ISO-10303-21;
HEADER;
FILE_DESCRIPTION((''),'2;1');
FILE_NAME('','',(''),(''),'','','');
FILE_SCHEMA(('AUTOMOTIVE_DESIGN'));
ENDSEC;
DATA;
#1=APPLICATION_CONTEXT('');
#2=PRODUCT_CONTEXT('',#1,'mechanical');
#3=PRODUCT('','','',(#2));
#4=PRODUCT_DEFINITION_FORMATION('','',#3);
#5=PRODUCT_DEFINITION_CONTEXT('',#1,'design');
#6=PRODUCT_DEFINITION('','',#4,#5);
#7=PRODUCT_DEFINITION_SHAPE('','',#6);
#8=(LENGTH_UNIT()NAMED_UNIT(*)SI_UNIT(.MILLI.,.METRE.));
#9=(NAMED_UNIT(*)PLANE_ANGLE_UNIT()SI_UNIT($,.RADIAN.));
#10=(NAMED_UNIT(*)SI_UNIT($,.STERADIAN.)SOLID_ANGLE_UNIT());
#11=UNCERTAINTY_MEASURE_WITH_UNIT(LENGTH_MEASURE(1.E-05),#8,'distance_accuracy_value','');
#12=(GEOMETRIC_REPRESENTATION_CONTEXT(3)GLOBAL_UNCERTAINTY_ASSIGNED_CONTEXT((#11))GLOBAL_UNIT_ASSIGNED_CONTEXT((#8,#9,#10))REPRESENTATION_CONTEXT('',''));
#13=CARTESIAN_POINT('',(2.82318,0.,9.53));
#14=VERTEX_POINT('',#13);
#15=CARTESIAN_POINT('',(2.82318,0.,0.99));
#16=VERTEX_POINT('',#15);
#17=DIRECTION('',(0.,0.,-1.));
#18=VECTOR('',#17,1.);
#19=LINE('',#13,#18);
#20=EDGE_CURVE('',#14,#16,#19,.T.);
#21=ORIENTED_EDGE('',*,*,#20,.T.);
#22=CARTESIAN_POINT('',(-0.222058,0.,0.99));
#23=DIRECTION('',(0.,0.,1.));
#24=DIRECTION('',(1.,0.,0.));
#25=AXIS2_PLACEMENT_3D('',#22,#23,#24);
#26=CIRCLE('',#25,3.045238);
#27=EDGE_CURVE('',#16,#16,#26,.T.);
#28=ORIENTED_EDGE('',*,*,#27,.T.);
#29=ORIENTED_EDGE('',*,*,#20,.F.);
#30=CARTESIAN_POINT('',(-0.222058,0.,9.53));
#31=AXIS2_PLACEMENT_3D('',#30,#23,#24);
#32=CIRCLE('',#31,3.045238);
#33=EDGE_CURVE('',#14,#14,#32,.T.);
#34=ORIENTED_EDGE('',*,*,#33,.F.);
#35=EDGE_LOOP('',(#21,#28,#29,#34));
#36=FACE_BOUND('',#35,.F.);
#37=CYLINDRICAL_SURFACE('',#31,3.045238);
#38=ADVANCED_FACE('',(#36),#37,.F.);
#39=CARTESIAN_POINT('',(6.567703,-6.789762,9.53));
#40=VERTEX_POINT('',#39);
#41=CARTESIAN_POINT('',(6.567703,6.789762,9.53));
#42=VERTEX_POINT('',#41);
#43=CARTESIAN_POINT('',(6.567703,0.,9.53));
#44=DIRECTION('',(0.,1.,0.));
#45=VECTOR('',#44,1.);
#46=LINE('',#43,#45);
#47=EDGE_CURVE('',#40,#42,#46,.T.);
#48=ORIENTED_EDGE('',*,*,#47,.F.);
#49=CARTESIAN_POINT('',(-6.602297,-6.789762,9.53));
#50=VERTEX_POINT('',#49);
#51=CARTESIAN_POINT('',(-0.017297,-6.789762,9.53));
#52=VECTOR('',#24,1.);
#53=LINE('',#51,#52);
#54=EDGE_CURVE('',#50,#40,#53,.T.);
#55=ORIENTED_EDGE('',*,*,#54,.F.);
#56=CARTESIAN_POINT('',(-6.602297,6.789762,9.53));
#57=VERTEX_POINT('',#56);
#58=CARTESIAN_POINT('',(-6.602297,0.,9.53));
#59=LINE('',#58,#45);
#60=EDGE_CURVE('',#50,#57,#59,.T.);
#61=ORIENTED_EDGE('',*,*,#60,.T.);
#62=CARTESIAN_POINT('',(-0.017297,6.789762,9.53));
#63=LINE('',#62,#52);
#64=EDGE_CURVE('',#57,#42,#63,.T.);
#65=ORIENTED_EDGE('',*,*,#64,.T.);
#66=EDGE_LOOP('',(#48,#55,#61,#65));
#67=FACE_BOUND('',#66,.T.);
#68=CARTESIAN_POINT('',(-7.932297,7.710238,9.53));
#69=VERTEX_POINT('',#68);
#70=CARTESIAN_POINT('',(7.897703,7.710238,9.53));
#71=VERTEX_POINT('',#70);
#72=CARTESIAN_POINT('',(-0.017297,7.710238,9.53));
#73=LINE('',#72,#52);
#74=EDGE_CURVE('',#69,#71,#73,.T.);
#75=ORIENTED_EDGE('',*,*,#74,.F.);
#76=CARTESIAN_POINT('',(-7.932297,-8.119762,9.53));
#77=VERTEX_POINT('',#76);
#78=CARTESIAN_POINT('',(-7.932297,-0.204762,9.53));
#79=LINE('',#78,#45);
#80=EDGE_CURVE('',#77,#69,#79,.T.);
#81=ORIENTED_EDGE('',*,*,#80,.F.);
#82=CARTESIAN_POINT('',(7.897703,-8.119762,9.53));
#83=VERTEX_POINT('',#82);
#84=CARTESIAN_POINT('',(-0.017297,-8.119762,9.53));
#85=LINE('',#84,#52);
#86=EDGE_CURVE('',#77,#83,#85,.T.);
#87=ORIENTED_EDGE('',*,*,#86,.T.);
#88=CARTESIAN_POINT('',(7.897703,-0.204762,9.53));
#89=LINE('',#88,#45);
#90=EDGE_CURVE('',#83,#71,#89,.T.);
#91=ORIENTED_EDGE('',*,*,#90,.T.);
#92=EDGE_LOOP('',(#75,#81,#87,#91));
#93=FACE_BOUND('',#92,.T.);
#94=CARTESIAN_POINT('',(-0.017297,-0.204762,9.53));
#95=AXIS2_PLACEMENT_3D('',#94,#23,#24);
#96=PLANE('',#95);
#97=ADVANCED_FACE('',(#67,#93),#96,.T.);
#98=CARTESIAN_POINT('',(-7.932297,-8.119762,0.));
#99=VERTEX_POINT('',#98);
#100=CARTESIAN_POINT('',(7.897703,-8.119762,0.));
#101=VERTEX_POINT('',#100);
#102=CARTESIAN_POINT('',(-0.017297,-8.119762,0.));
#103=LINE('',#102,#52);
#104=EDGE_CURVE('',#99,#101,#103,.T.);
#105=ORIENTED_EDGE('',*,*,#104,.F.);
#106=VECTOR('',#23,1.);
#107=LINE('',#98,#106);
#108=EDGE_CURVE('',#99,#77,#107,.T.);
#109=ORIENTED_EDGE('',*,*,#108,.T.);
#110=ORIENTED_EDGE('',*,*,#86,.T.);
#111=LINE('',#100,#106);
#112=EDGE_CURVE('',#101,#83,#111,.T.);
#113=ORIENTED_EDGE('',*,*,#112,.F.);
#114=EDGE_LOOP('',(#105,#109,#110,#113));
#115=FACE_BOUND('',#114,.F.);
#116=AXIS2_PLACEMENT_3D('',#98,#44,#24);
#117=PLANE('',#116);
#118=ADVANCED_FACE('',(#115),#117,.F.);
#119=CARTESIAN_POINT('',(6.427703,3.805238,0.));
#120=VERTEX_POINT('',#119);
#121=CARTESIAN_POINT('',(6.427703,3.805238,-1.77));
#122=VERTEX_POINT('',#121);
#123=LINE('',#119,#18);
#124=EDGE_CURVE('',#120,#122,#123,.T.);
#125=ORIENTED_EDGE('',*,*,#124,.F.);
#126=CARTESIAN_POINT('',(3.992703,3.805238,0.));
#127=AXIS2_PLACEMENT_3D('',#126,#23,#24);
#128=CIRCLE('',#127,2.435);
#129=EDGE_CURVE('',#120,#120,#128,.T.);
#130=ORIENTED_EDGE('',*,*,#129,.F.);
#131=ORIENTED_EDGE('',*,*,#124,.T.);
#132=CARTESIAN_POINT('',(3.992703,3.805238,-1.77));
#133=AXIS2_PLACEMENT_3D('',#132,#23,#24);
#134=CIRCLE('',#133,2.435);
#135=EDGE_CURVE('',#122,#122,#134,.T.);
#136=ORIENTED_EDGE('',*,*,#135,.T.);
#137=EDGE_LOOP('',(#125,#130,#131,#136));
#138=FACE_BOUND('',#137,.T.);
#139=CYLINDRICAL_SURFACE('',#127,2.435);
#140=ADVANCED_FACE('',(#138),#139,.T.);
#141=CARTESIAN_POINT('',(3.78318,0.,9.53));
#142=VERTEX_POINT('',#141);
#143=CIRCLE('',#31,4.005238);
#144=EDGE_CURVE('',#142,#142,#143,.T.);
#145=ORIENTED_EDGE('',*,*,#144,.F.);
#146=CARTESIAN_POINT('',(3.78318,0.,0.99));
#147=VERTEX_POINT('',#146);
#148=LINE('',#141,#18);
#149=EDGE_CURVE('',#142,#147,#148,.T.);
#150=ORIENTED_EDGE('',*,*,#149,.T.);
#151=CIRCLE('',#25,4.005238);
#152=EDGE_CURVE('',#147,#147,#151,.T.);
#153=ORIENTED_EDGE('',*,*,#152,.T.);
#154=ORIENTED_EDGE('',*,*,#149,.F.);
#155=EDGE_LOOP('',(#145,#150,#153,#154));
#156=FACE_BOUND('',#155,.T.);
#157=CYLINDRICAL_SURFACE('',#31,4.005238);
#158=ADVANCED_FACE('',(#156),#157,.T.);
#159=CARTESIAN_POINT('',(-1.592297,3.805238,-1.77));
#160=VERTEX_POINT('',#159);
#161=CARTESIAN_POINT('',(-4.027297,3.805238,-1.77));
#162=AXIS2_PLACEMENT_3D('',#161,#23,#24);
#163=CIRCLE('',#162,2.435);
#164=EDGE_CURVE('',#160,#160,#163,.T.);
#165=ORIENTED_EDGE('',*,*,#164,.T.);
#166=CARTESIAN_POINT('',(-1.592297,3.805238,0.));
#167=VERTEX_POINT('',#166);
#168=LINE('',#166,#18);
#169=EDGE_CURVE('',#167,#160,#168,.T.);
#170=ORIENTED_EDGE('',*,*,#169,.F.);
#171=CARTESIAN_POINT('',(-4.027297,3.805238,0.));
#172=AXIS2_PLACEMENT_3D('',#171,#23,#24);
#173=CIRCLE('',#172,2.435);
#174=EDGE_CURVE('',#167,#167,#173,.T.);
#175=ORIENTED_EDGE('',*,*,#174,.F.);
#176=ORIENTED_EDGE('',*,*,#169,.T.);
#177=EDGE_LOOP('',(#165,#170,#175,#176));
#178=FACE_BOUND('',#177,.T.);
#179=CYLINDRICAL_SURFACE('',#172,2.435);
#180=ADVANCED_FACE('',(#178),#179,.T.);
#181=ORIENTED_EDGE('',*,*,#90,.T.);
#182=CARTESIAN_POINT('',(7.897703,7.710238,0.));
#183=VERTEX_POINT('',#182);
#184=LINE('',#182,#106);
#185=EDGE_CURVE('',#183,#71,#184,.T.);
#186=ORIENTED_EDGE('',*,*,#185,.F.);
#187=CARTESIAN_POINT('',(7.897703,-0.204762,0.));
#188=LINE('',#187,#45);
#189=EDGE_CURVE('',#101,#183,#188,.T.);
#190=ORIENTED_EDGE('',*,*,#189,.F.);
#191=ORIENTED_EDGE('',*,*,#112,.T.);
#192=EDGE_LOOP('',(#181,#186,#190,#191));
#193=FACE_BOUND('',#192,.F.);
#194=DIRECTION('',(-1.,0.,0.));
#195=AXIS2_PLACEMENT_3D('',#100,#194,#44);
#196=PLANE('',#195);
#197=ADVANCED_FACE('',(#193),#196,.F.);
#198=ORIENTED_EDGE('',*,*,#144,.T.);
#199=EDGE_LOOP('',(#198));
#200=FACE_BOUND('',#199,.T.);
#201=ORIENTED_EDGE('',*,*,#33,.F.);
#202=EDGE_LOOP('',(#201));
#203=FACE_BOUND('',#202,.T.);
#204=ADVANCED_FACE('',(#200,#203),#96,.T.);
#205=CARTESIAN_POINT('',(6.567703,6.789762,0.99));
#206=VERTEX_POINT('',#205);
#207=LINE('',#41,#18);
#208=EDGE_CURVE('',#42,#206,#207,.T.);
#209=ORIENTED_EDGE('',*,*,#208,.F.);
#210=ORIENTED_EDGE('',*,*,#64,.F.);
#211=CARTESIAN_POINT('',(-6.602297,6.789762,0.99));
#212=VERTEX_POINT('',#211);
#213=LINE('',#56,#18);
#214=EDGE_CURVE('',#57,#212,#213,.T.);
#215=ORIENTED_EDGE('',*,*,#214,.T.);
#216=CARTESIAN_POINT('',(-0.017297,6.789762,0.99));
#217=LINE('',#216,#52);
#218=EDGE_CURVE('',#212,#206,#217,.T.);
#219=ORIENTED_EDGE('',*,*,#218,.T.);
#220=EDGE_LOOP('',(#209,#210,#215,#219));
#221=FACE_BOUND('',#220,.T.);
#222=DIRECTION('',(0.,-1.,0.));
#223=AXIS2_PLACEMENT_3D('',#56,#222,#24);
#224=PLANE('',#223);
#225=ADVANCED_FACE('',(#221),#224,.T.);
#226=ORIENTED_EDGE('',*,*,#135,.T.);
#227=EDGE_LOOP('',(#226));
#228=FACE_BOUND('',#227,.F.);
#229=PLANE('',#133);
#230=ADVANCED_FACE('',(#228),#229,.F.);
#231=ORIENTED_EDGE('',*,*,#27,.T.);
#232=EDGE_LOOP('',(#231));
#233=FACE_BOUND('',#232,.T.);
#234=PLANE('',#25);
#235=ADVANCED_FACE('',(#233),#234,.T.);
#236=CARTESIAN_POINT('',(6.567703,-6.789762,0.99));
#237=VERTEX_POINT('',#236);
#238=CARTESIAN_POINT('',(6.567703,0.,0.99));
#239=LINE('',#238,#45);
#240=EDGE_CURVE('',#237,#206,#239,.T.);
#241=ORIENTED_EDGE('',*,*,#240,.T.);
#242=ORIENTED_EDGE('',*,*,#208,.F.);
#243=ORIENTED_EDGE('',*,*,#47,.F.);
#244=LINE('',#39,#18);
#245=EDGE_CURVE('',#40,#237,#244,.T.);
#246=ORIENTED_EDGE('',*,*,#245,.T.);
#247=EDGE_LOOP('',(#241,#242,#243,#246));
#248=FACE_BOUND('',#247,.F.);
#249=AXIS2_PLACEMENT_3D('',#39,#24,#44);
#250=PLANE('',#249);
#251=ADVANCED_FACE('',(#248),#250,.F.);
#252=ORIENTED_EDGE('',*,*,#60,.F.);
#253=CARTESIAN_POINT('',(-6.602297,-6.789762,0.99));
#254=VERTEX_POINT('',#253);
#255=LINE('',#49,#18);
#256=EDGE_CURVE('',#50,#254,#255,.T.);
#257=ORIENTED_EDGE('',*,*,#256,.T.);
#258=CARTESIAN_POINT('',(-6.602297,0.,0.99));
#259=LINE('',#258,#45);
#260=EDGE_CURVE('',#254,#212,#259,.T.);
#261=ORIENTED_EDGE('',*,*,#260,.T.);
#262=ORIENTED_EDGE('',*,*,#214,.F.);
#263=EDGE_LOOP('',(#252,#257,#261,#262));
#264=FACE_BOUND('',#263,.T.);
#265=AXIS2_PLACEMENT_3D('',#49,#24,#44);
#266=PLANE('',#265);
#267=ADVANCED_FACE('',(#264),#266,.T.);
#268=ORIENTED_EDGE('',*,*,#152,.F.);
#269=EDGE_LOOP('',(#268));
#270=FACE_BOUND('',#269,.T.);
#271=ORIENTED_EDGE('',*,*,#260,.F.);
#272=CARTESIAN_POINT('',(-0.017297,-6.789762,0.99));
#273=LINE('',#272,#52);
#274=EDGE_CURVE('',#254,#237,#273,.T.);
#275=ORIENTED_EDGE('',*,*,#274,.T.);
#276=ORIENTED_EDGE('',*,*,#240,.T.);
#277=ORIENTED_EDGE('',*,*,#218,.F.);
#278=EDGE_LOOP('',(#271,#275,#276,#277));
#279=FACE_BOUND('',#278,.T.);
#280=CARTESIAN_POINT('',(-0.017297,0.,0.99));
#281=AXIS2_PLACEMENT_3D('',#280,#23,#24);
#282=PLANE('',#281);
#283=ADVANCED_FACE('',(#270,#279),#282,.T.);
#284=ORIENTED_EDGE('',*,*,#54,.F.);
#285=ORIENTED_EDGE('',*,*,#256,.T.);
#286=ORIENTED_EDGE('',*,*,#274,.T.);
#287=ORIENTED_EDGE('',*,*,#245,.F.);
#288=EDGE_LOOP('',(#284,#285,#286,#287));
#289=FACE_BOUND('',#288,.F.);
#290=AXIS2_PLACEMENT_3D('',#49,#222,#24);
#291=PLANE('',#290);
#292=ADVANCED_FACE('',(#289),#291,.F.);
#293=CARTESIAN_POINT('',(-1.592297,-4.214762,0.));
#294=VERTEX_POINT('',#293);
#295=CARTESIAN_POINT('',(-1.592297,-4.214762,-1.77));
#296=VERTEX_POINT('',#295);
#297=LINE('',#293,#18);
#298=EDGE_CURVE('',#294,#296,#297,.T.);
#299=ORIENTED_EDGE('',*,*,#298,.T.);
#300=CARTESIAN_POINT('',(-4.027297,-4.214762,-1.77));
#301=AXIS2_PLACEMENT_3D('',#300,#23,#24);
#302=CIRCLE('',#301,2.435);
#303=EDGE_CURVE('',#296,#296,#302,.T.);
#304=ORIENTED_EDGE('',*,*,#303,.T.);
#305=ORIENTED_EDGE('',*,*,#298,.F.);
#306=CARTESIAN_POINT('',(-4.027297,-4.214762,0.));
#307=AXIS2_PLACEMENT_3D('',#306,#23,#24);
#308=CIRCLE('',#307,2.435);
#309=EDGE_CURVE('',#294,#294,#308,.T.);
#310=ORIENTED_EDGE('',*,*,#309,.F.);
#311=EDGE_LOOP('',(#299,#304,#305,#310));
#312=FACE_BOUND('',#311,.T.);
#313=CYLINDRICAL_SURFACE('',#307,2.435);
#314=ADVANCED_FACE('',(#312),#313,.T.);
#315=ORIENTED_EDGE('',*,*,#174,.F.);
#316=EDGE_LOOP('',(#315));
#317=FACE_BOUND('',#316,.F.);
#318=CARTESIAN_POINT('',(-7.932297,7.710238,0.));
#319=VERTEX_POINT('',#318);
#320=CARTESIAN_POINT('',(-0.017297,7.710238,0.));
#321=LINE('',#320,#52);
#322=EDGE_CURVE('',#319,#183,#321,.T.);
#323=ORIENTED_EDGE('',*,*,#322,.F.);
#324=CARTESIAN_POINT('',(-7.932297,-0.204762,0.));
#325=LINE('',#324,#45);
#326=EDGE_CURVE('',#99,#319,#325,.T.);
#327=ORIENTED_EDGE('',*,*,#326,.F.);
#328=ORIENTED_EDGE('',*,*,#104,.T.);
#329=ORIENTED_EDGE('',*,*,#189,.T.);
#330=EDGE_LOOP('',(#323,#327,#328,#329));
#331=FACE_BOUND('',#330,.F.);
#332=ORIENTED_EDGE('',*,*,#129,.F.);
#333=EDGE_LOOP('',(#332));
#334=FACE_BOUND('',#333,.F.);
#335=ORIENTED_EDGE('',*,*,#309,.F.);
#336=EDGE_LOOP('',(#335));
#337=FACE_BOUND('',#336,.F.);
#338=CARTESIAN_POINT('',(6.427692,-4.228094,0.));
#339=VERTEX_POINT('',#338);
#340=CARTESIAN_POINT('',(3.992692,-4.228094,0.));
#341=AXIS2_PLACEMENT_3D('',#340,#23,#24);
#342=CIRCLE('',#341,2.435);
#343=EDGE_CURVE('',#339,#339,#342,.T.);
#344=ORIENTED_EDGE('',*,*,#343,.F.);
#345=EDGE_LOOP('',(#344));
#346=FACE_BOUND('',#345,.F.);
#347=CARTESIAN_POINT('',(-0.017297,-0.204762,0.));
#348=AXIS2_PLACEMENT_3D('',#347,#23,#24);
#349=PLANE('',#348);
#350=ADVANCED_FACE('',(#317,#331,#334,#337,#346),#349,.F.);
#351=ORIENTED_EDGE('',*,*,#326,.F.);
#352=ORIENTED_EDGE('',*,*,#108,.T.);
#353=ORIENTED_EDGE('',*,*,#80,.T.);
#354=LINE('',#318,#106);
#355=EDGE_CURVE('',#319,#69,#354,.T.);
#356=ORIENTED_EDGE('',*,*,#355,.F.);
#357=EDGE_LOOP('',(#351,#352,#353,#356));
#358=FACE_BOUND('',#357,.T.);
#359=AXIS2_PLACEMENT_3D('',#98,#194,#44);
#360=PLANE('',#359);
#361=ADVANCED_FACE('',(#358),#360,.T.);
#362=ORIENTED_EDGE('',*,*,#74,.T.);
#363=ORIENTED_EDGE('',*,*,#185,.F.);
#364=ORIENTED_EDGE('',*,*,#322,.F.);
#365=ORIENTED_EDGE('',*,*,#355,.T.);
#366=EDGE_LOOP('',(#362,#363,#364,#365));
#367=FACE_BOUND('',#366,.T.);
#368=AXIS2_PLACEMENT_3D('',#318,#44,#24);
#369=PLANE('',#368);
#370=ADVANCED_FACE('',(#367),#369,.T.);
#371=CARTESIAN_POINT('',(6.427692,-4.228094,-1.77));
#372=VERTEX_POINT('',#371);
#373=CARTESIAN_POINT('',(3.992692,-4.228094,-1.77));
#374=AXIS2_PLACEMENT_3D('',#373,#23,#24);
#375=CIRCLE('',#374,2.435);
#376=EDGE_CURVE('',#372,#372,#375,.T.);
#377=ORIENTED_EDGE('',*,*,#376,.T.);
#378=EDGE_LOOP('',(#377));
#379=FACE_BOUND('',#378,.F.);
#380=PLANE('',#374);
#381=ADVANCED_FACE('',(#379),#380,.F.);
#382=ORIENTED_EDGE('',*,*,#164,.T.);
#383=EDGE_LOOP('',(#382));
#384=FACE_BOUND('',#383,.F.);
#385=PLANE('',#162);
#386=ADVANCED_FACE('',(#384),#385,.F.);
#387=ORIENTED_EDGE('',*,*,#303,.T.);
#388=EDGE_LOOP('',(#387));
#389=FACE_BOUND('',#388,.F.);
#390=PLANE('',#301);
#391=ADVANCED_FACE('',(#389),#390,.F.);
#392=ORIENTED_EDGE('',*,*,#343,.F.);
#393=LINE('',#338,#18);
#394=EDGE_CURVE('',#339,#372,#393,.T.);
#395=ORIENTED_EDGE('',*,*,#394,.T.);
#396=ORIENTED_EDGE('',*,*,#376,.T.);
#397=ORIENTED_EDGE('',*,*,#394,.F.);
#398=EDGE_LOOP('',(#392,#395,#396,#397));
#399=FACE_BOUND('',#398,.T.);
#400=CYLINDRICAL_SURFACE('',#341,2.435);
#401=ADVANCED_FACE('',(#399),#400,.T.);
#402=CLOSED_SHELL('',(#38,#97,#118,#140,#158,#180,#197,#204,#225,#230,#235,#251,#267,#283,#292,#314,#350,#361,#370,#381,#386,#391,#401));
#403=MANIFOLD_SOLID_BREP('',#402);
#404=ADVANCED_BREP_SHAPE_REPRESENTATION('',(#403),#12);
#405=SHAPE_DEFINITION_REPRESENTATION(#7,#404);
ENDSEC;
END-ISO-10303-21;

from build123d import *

# Parameters (mm, degrees)
F0_W     = 15.83
F0_H     = 15.83
F0_R     = 2.435
F1_DEPTH = 9.53
F2_DEPTH = 1.77
F3_W     = 13.17
F3_H     = 13.5795233832
F3_R     = 4.0052383084
F3_R_2   = 3.0452383084
F4_DEPTH = 8.54


with BuildPart() as f1:
    # F0 (on Top) → F1 (new body)
    with BuildSketch(Plane.XY):
        with Locations((-0.0172966565, -0.2047616916)):
            Rectangle(F0_W, F0_H)
        with Locations((-4.0272966565, -4.2147616916)):
            Circle(F0_R, mode=Mode.SUBTRACT)
        with Locations((3.9926922612, -4.2280943334)):
            Circle(F0_R, mode=Mode.SUBTRACT)
        with Locations((-4.0272966565, 3.8052383084)):
            Circle(F0_R, mode=Mode.SUBTRACT)
        with Locations((3.9927033435, 3.8052383084)):
            Circle(F0_R, mode=Mode.SUBTRACT)
        with Locations((-4.0272966565, -4.2147616916)):
            Circle(F0_R)
        with Locations((3.9926922612, -4.2280943334)):
            Circle(F0_R)
        with Locations((3.9927033435, 3.8052383084)):
            Circle(F0_R)
        with Locations((-4.0272966565, 3.8052383084)):
            Circle(F0_R)
    extrude(amount=F1_DEPTH)

    # F0 (on Top) → F2 (join)
    with BuildSketch(Plane.XY):
        with Locations((-4.0272966565, -4.2147616916)):
            Circle(F0_R)
        with Locations((3.9926922612, -4.2280943334)):
            Circle(F0_R)
        with Locations((-4.0272966565, 3.8052383084)):
            Circle(F0_R)
        with Locations((3.9927033435, 3.8052383084)):
            Circle(F0_R)
    extrude(amount=-F2_DEPTH)

    # F3 (on face) → F4 (cut)
    with BuildSketch(Plane.XY.offset(9.53)):
        with Locations((-0.0172966565, 0)):
            Rectangle(F3_W, F3_H)
        with Locations((-0.2220583481, 0)):
            Circle(F3_R, mode=Mode.SUBTRACT)
        with Locations((-0.2220583481, 0)):
            Circle(F3_R_2)
    extrude(amount=-F4_DEPTH, mode=Mode.SUBTRACT)


solid = f1.part
